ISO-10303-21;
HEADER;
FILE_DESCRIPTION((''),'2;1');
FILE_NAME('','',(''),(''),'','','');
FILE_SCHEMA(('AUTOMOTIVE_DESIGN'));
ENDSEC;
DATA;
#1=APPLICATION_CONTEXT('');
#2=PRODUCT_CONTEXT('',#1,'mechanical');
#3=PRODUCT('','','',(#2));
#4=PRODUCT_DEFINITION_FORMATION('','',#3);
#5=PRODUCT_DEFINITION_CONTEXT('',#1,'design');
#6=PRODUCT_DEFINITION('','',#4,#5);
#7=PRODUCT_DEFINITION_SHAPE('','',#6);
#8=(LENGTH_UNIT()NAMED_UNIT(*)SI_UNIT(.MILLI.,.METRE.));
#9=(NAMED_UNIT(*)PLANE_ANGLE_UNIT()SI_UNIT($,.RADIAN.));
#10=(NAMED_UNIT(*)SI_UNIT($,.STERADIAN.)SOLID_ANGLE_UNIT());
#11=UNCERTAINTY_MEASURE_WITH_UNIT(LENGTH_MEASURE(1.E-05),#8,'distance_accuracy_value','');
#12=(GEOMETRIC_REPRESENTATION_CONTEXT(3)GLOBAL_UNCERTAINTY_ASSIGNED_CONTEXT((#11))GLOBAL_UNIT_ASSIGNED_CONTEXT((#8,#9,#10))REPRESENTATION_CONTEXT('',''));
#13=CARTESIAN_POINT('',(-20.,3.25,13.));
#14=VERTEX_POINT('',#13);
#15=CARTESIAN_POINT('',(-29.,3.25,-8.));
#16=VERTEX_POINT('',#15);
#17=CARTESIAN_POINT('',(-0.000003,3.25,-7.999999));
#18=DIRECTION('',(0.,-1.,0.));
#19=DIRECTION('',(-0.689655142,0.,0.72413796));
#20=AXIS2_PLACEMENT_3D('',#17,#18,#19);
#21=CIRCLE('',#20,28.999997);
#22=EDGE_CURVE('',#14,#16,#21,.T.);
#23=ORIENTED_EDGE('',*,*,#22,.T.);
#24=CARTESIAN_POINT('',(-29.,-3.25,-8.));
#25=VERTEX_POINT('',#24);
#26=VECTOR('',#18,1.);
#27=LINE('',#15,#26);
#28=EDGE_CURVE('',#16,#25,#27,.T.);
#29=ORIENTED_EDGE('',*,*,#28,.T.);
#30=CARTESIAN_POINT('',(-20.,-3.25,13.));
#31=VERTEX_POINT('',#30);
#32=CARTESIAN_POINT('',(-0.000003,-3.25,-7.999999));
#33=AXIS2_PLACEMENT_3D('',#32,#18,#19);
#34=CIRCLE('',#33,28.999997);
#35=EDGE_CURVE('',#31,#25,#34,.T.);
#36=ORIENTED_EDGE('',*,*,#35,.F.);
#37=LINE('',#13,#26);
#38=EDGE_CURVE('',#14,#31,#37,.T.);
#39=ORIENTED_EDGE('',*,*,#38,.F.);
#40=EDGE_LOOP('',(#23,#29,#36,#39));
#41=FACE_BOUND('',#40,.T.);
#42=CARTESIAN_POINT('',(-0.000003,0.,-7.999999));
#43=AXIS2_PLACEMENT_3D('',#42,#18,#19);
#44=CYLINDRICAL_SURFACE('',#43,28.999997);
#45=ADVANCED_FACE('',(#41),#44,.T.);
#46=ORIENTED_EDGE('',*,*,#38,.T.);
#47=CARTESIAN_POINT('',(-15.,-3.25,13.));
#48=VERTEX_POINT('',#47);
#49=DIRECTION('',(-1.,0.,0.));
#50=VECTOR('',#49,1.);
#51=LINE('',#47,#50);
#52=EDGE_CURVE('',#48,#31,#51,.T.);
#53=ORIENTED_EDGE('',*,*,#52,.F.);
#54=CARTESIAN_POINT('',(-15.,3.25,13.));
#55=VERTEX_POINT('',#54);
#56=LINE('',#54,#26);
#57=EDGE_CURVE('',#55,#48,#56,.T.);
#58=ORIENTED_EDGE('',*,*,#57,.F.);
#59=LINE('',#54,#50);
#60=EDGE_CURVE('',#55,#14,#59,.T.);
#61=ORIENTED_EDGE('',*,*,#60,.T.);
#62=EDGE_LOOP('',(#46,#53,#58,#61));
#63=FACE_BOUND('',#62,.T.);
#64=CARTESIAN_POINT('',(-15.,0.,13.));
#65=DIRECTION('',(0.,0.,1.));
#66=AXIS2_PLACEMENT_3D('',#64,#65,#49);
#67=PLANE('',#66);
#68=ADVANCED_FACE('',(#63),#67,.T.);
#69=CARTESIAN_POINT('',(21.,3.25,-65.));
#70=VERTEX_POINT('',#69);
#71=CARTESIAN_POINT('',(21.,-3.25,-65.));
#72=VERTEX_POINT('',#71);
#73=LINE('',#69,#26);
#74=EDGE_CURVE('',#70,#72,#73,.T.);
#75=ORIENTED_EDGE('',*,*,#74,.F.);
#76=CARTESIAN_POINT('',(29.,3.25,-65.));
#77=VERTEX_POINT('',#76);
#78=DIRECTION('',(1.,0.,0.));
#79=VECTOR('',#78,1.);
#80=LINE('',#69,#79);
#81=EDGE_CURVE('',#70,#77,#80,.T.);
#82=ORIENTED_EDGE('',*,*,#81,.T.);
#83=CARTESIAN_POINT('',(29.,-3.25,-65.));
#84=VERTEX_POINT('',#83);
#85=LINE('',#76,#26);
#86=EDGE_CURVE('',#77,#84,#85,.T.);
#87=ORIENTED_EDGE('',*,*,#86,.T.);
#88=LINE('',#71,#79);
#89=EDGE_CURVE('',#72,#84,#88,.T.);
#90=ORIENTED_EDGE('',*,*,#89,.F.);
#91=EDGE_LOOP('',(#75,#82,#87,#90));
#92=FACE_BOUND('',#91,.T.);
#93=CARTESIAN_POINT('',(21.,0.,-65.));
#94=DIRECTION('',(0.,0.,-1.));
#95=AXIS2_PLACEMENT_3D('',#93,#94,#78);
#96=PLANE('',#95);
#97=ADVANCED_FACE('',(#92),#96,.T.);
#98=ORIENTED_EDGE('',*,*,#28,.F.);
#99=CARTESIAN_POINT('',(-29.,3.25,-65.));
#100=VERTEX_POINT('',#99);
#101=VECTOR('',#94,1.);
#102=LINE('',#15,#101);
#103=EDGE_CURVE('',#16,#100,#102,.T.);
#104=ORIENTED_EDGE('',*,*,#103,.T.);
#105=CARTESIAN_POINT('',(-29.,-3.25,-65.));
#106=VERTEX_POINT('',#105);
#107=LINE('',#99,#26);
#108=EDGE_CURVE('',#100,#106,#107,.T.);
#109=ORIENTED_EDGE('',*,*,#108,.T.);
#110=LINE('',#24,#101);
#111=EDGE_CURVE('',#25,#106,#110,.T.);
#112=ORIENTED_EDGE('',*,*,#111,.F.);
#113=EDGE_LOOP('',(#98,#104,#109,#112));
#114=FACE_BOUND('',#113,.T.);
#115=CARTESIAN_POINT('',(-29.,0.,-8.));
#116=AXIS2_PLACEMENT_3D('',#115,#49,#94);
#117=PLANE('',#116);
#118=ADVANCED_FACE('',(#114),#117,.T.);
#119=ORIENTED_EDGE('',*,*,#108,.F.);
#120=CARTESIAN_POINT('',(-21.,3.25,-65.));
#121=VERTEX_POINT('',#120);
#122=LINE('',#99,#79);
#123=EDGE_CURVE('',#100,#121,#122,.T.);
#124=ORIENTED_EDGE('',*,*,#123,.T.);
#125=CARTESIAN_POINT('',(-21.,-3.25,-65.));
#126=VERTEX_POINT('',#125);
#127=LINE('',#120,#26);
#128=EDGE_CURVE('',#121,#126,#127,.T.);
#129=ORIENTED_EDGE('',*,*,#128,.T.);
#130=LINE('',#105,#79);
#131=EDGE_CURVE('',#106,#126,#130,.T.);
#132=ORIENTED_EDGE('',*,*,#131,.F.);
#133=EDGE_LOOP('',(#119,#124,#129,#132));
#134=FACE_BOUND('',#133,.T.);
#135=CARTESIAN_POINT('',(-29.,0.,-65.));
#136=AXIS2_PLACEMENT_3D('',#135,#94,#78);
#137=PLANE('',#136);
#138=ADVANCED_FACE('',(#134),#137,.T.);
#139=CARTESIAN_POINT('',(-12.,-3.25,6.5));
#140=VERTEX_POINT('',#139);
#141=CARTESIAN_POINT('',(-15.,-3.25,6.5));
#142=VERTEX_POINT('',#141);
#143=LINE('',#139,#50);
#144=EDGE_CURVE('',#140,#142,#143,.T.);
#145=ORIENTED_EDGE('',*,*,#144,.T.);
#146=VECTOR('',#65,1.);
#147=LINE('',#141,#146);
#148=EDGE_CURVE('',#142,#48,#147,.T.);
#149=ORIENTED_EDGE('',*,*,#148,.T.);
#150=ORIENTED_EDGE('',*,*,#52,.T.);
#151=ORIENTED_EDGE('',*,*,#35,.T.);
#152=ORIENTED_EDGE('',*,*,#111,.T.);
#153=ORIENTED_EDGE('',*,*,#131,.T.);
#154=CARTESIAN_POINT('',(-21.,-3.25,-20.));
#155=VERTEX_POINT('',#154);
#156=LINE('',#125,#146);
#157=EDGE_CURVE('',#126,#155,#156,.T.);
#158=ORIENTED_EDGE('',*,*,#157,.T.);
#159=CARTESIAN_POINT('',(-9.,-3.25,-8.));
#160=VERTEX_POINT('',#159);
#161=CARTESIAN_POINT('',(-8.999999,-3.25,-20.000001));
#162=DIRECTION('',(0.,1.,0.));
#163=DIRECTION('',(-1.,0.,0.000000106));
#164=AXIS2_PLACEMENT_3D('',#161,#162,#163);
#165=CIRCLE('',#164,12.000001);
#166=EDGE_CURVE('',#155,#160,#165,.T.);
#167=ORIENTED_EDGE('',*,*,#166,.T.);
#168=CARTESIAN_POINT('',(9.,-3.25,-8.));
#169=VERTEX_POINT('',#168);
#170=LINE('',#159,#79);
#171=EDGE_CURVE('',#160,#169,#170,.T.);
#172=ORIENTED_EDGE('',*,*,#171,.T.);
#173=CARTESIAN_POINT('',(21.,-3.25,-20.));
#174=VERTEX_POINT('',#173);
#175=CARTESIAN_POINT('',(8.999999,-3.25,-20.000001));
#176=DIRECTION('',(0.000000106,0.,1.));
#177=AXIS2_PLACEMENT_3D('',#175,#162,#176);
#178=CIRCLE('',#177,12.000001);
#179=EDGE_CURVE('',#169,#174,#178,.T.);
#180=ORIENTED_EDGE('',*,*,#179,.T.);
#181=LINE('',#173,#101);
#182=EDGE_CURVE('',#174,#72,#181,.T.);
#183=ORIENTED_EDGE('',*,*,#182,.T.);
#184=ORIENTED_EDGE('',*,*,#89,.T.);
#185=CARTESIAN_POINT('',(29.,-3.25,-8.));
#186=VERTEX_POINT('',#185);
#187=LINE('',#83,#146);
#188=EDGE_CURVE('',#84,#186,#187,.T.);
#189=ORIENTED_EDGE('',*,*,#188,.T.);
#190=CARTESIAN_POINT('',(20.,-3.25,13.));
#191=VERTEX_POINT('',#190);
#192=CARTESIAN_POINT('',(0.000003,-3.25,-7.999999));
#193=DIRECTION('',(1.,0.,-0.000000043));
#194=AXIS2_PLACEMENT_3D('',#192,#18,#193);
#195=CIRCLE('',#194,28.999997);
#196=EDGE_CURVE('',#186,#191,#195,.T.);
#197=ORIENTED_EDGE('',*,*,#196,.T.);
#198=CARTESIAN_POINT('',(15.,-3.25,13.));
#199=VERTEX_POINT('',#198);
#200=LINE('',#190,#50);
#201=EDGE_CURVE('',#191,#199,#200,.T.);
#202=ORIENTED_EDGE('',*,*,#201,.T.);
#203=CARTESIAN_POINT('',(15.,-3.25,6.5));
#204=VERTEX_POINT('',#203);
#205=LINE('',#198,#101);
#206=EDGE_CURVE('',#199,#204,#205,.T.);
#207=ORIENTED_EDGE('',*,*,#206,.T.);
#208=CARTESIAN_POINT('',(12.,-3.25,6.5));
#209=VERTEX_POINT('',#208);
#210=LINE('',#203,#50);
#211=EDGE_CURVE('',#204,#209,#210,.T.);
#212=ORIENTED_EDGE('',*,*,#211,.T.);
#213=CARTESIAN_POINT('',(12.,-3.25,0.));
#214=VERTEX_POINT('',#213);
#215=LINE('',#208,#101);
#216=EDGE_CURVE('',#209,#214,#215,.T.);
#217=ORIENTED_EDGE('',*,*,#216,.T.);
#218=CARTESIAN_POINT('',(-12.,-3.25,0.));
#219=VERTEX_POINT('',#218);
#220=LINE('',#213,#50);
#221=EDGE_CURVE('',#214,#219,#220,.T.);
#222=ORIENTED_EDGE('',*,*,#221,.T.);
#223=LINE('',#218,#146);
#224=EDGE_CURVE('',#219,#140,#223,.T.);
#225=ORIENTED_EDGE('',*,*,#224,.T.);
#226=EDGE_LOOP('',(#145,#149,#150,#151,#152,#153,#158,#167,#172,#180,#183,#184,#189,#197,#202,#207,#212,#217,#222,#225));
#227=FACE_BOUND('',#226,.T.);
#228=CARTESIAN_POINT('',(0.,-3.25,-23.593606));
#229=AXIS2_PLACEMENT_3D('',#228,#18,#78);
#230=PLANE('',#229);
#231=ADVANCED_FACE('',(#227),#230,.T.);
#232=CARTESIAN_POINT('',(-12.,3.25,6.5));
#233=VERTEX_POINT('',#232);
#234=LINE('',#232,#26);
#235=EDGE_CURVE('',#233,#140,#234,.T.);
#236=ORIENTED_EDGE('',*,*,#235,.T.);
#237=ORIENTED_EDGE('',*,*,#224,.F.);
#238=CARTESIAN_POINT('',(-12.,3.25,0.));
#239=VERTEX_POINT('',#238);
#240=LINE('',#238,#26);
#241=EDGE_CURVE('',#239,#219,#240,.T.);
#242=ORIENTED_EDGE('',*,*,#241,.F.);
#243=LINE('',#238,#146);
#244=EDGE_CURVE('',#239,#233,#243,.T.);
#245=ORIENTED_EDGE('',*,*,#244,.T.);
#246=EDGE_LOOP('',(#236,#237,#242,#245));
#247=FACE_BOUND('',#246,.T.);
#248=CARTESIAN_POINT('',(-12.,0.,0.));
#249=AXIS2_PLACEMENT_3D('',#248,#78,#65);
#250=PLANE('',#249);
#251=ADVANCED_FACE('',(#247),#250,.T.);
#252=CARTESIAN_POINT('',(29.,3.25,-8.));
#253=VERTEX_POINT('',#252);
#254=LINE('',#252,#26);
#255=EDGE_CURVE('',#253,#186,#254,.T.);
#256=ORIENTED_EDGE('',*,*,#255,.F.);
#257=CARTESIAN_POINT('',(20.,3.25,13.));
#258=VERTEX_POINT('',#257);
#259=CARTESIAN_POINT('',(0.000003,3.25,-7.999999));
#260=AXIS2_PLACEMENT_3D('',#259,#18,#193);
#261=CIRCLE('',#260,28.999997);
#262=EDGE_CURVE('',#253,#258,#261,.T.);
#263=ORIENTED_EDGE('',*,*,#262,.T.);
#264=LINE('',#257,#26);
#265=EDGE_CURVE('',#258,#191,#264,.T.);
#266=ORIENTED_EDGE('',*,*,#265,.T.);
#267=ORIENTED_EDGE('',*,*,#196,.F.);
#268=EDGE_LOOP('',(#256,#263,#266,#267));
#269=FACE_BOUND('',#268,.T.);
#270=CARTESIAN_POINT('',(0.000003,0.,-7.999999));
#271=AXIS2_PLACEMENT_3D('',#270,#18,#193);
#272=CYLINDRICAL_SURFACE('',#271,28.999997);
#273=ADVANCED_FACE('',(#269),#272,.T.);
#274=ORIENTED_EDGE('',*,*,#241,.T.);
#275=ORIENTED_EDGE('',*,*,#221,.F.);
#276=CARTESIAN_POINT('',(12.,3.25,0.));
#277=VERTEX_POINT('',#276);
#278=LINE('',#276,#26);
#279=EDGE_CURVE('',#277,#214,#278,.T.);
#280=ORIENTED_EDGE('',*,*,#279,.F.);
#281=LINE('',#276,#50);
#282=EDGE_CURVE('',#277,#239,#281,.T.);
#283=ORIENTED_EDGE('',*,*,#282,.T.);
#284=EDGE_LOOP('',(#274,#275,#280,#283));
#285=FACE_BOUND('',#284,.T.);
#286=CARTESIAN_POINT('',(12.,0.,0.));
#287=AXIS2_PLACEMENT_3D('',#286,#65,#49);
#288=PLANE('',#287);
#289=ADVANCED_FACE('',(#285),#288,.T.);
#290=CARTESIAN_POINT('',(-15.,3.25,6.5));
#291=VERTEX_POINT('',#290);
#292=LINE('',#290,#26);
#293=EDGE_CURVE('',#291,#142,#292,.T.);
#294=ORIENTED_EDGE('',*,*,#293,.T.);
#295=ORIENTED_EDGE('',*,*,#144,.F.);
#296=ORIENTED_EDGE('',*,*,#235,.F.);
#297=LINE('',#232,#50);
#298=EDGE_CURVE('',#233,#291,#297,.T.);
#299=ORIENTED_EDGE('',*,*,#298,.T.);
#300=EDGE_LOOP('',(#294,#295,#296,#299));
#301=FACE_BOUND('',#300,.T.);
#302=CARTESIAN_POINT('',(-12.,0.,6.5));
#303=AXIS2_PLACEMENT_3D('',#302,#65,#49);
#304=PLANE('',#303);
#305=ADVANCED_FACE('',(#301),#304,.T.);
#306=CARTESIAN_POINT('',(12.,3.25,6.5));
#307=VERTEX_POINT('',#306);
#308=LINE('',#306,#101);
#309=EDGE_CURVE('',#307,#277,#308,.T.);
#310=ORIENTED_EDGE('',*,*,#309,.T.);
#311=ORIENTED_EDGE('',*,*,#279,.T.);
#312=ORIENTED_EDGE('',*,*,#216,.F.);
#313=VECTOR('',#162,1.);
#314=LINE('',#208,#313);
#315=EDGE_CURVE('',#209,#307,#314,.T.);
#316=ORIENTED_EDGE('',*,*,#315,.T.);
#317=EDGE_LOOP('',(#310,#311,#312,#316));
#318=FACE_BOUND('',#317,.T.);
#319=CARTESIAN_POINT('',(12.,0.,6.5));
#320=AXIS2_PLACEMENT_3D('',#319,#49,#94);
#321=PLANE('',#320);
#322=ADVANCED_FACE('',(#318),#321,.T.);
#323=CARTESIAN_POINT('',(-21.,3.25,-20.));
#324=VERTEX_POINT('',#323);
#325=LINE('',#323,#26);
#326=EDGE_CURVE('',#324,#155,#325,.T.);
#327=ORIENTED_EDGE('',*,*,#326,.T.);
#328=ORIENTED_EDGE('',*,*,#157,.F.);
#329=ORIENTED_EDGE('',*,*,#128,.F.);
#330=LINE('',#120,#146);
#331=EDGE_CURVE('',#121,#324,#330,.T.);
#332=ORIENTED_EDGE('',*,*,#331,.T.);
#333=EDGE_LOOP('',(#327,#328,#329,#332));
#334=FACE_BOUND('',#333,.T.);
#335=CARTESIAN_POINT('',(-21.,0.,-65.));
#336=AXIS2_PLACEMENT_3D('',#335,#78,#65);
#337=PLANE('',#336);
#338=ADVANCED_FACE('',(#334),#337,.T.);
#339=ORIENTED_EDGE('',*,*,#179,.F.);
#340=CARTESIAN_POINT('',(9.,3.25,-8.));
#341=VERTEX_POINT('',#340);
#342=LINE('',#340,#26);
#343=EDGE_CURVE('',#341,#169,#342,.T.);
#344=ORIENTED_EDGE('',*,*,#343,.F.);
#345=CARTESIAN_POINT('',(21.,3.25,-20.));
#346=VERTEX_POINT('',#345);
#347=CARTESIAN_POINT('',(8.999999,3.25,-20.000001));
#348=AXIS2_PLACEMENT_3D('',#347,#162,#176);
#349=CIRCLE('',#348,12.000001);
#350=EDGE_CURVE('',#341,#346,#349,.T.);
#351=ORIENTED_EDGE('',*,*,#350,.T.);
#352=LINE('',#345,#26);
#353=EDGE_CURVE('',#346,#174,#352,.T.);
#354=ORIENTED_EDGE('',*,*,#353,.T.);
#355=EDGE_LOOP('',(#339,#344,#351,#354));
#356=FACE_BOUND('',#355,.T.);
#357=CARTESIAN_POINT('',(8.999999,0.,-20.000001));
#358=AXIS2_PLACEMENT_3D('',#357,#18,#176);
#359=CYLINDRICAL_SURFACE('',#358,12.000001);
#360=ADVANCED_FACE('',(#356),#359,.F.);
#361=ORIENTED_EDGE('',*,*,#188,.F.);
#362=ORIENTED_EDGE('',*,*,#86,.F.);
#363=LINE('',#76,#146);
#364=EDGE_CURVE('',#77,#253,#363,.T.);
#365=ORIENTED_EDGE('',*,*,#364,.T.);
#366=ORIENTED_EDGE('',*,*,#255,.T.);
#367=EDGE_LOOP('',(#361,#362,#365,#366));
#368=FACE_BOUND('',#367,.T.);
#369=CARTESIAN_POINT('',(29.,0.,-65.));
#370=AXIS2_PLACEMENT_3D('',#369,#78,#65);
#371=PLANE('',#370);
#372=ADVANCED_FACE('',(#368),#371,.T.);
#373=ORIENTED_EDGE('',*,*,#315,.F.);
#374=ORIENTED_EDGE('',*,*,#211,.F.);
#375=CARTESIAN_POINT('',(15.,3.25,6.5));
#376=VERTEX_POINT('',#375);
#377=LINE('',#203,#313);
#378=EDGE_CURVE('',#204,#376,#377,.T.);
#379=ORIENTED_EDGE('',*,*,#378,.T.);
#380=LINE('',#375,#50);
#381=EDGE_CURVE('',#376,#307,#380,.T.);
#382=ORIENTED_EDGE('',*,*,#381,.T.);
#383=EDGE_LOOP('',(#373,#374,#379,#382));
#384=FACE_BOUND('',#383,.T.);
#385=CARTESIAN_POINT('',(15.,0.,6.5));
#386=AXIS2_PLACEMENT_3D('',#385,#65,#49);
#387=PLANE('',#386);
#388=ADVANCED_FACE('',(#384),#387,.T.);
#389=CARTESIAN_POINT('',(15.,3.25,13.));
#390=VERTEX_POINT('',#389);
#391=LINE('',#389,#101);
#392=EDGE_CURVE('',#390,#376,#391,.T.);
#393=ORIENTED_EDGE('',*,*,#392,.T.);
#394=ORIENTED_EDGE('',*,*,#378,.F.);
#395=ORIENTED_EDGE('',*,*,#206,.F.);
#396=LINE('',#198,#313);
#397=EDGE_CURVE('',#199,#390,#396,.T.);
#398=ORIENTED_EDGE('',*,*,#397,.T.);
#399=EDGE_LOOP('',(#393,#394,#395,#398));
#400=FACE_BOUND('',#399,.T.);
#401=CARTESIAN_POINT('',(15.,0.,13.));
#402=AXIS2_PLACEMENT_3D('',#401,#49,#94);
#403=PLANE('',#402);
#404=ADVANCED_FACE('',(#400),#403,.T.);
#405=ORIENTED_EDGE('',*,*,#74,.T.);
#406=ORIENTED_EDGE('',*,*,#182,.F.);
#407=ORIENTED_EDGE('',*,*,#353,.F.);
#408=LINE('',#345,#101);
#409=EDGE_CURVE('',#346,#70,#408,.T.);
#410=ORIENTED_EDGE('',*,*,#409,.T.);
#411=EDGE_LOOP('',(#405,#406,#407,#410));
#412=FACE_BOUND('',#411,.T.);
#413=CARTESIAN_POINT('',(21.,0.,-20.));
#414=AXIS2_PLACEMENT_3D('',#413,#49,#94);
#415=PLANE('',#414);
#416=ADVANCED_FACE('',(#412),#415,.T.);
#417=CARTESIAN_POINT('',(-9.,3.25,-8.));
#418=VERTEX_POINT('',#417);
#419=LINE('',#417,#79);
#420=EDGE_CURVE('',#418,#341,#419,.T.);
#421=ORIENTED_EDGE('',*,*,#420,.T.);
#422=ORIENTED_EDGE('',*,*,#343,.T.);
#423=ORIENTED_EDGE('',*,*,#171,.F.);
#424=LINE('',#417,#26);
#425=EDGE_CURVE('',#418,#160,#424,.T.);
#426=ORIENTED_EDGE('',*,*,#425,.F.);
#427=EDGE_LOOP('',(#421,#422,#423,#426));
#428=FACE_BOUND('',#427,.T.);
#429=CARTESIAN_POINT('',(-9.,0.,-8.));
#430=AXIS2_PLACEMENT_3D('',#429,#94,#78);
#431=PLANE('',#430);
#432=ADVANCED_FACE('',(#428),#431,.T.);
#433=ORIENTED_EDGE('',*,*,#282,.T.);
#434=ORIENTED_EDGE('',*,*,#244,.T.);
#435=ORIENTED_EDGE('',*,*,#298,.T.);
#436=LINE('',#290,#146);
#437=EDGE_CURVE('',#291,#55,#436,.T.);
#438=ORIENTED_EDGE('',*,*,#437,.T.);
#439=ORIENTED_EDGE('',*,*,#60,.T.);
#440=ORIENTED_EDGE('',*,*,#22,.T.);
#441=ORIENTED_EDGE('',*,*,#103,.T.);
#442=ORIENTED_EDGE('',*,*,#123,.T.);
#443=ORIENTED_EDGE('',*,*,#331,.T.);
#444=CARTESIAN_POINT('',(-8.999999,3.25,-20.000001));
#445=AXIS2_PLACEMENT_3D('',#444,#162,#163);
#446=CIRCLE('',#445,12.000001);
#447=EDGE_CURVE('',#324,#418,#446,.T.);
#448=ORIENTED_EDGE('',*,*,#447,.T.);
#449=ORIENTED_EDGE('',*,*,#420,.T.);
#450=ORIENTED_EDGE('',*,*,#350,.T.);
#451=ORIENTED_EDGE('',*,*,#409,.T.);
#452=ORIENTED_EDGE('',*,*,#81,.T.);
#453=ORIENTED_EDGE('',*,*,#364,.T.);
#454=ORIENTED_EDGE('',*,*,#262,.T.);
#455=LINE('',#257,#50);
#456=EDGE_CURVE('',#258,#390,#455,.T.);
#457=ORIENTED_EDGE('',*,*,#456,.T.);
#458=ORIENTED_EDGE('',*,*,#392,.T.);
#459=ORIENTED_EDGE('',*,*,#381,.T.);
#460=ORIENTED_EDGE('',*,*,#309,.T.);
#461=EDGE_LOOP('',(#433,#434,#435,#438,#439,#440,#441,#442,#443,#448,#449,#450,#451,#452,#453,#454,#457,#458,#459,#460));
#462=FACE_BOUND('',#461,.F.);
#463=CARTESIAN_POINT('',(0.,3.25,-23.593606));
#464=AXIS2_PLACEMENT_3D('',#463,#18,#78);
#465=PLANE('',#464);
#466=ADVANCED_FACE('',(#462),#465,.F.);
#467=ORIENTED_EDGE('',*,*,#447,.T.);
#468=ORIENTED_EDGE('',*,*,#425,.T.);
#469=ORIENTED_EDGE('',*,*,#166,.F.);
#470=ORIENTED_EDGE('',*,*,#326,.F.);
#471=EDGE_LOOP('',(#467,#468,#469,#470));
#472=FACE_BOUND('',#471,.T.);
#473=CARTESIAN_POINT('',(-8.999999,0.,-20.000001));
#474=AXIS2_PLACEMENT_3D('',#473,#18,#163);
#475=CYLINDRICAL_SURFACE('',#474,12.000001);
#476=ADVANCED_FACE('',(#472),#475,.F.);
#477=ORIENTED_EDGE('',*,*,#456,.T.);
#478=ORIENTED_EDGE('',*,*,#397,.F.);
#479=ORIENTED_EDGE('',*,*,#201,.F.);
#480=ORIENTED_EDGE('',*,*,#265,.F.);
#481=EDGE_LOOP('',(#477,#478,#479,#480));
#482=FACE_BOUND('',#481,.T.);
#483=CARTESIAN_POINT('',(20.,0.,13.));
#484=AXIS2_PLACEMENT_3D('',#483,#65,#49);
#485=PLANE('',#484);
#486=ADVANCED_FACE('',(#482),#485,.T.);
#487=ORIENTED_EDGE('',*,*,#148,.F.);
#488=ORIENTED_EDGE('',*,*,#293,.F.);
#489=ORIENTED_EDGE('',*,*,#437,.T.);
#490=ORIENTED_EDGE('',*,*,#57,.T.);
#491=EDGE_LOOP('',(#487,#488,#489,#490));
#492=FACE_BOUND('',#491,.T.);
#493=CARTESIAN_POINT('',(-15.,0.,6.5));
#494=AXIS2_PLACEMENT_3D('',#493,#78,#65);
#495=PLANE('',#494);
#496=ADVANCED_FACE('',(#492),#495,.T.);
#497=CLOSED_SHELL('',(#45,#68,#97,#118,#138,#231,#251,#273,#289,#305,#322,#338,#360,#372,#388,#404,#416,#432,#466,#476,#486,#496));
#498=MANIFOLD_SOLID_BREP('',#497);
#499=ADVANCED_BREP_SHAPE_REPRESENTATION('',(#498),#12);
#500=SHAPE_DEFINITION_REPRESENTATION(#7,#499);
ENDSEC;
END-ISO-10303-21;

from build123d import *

# Parameters (mm, degrees)
F1_DEPTH = 3.25


with BuildPart() as f1:
    # F0 (on Front) → F1 (new body, symmetric)
    with BuildSketch(Plane.XZ):
        with BuildLine():
            Line((12, 6.5), (12, 0))
            Line((12, 0), (-12, 0))
            Line((-12, 0), (-12, 6.5))
            Line((-12, 6.5), (-15, 6.5))
            Line((-15, 6.5), (-15, 13))
            Line((-15, 13), (-20, 13))
            ThreePointArc((-20, 13), (-26.655206, 3.42366), (-29, -8))
            Line((-29, -8), (-29, -65))
            Line((-29, -65), (-21, -65))
            Line((-21, -65), (-21, -20))
            ThreePointArc((-21, -20), (-17.485281, -11.514719), (-9, -8))
            Line((-9, -8), (9, -8))
            ThreePointArc((9, -8), (17.485281, -11.514719), (21, -20))
            Line((21, -20), (21, -65))
            Line((21, -65), (29, -65))
            Line((29, -65), (29, -8))
            ThreePointArc((29, -8), (26.655206, 3.42366), (20, 13))
            Line((20, 13), (15, 13))
            Line((15, 13), (15, 6.5))
            Line((15, 6.5), (12, 6.5))
        make_face()
    extrude(amount=F1_DEPTH, both=True)


solid = f1.part
